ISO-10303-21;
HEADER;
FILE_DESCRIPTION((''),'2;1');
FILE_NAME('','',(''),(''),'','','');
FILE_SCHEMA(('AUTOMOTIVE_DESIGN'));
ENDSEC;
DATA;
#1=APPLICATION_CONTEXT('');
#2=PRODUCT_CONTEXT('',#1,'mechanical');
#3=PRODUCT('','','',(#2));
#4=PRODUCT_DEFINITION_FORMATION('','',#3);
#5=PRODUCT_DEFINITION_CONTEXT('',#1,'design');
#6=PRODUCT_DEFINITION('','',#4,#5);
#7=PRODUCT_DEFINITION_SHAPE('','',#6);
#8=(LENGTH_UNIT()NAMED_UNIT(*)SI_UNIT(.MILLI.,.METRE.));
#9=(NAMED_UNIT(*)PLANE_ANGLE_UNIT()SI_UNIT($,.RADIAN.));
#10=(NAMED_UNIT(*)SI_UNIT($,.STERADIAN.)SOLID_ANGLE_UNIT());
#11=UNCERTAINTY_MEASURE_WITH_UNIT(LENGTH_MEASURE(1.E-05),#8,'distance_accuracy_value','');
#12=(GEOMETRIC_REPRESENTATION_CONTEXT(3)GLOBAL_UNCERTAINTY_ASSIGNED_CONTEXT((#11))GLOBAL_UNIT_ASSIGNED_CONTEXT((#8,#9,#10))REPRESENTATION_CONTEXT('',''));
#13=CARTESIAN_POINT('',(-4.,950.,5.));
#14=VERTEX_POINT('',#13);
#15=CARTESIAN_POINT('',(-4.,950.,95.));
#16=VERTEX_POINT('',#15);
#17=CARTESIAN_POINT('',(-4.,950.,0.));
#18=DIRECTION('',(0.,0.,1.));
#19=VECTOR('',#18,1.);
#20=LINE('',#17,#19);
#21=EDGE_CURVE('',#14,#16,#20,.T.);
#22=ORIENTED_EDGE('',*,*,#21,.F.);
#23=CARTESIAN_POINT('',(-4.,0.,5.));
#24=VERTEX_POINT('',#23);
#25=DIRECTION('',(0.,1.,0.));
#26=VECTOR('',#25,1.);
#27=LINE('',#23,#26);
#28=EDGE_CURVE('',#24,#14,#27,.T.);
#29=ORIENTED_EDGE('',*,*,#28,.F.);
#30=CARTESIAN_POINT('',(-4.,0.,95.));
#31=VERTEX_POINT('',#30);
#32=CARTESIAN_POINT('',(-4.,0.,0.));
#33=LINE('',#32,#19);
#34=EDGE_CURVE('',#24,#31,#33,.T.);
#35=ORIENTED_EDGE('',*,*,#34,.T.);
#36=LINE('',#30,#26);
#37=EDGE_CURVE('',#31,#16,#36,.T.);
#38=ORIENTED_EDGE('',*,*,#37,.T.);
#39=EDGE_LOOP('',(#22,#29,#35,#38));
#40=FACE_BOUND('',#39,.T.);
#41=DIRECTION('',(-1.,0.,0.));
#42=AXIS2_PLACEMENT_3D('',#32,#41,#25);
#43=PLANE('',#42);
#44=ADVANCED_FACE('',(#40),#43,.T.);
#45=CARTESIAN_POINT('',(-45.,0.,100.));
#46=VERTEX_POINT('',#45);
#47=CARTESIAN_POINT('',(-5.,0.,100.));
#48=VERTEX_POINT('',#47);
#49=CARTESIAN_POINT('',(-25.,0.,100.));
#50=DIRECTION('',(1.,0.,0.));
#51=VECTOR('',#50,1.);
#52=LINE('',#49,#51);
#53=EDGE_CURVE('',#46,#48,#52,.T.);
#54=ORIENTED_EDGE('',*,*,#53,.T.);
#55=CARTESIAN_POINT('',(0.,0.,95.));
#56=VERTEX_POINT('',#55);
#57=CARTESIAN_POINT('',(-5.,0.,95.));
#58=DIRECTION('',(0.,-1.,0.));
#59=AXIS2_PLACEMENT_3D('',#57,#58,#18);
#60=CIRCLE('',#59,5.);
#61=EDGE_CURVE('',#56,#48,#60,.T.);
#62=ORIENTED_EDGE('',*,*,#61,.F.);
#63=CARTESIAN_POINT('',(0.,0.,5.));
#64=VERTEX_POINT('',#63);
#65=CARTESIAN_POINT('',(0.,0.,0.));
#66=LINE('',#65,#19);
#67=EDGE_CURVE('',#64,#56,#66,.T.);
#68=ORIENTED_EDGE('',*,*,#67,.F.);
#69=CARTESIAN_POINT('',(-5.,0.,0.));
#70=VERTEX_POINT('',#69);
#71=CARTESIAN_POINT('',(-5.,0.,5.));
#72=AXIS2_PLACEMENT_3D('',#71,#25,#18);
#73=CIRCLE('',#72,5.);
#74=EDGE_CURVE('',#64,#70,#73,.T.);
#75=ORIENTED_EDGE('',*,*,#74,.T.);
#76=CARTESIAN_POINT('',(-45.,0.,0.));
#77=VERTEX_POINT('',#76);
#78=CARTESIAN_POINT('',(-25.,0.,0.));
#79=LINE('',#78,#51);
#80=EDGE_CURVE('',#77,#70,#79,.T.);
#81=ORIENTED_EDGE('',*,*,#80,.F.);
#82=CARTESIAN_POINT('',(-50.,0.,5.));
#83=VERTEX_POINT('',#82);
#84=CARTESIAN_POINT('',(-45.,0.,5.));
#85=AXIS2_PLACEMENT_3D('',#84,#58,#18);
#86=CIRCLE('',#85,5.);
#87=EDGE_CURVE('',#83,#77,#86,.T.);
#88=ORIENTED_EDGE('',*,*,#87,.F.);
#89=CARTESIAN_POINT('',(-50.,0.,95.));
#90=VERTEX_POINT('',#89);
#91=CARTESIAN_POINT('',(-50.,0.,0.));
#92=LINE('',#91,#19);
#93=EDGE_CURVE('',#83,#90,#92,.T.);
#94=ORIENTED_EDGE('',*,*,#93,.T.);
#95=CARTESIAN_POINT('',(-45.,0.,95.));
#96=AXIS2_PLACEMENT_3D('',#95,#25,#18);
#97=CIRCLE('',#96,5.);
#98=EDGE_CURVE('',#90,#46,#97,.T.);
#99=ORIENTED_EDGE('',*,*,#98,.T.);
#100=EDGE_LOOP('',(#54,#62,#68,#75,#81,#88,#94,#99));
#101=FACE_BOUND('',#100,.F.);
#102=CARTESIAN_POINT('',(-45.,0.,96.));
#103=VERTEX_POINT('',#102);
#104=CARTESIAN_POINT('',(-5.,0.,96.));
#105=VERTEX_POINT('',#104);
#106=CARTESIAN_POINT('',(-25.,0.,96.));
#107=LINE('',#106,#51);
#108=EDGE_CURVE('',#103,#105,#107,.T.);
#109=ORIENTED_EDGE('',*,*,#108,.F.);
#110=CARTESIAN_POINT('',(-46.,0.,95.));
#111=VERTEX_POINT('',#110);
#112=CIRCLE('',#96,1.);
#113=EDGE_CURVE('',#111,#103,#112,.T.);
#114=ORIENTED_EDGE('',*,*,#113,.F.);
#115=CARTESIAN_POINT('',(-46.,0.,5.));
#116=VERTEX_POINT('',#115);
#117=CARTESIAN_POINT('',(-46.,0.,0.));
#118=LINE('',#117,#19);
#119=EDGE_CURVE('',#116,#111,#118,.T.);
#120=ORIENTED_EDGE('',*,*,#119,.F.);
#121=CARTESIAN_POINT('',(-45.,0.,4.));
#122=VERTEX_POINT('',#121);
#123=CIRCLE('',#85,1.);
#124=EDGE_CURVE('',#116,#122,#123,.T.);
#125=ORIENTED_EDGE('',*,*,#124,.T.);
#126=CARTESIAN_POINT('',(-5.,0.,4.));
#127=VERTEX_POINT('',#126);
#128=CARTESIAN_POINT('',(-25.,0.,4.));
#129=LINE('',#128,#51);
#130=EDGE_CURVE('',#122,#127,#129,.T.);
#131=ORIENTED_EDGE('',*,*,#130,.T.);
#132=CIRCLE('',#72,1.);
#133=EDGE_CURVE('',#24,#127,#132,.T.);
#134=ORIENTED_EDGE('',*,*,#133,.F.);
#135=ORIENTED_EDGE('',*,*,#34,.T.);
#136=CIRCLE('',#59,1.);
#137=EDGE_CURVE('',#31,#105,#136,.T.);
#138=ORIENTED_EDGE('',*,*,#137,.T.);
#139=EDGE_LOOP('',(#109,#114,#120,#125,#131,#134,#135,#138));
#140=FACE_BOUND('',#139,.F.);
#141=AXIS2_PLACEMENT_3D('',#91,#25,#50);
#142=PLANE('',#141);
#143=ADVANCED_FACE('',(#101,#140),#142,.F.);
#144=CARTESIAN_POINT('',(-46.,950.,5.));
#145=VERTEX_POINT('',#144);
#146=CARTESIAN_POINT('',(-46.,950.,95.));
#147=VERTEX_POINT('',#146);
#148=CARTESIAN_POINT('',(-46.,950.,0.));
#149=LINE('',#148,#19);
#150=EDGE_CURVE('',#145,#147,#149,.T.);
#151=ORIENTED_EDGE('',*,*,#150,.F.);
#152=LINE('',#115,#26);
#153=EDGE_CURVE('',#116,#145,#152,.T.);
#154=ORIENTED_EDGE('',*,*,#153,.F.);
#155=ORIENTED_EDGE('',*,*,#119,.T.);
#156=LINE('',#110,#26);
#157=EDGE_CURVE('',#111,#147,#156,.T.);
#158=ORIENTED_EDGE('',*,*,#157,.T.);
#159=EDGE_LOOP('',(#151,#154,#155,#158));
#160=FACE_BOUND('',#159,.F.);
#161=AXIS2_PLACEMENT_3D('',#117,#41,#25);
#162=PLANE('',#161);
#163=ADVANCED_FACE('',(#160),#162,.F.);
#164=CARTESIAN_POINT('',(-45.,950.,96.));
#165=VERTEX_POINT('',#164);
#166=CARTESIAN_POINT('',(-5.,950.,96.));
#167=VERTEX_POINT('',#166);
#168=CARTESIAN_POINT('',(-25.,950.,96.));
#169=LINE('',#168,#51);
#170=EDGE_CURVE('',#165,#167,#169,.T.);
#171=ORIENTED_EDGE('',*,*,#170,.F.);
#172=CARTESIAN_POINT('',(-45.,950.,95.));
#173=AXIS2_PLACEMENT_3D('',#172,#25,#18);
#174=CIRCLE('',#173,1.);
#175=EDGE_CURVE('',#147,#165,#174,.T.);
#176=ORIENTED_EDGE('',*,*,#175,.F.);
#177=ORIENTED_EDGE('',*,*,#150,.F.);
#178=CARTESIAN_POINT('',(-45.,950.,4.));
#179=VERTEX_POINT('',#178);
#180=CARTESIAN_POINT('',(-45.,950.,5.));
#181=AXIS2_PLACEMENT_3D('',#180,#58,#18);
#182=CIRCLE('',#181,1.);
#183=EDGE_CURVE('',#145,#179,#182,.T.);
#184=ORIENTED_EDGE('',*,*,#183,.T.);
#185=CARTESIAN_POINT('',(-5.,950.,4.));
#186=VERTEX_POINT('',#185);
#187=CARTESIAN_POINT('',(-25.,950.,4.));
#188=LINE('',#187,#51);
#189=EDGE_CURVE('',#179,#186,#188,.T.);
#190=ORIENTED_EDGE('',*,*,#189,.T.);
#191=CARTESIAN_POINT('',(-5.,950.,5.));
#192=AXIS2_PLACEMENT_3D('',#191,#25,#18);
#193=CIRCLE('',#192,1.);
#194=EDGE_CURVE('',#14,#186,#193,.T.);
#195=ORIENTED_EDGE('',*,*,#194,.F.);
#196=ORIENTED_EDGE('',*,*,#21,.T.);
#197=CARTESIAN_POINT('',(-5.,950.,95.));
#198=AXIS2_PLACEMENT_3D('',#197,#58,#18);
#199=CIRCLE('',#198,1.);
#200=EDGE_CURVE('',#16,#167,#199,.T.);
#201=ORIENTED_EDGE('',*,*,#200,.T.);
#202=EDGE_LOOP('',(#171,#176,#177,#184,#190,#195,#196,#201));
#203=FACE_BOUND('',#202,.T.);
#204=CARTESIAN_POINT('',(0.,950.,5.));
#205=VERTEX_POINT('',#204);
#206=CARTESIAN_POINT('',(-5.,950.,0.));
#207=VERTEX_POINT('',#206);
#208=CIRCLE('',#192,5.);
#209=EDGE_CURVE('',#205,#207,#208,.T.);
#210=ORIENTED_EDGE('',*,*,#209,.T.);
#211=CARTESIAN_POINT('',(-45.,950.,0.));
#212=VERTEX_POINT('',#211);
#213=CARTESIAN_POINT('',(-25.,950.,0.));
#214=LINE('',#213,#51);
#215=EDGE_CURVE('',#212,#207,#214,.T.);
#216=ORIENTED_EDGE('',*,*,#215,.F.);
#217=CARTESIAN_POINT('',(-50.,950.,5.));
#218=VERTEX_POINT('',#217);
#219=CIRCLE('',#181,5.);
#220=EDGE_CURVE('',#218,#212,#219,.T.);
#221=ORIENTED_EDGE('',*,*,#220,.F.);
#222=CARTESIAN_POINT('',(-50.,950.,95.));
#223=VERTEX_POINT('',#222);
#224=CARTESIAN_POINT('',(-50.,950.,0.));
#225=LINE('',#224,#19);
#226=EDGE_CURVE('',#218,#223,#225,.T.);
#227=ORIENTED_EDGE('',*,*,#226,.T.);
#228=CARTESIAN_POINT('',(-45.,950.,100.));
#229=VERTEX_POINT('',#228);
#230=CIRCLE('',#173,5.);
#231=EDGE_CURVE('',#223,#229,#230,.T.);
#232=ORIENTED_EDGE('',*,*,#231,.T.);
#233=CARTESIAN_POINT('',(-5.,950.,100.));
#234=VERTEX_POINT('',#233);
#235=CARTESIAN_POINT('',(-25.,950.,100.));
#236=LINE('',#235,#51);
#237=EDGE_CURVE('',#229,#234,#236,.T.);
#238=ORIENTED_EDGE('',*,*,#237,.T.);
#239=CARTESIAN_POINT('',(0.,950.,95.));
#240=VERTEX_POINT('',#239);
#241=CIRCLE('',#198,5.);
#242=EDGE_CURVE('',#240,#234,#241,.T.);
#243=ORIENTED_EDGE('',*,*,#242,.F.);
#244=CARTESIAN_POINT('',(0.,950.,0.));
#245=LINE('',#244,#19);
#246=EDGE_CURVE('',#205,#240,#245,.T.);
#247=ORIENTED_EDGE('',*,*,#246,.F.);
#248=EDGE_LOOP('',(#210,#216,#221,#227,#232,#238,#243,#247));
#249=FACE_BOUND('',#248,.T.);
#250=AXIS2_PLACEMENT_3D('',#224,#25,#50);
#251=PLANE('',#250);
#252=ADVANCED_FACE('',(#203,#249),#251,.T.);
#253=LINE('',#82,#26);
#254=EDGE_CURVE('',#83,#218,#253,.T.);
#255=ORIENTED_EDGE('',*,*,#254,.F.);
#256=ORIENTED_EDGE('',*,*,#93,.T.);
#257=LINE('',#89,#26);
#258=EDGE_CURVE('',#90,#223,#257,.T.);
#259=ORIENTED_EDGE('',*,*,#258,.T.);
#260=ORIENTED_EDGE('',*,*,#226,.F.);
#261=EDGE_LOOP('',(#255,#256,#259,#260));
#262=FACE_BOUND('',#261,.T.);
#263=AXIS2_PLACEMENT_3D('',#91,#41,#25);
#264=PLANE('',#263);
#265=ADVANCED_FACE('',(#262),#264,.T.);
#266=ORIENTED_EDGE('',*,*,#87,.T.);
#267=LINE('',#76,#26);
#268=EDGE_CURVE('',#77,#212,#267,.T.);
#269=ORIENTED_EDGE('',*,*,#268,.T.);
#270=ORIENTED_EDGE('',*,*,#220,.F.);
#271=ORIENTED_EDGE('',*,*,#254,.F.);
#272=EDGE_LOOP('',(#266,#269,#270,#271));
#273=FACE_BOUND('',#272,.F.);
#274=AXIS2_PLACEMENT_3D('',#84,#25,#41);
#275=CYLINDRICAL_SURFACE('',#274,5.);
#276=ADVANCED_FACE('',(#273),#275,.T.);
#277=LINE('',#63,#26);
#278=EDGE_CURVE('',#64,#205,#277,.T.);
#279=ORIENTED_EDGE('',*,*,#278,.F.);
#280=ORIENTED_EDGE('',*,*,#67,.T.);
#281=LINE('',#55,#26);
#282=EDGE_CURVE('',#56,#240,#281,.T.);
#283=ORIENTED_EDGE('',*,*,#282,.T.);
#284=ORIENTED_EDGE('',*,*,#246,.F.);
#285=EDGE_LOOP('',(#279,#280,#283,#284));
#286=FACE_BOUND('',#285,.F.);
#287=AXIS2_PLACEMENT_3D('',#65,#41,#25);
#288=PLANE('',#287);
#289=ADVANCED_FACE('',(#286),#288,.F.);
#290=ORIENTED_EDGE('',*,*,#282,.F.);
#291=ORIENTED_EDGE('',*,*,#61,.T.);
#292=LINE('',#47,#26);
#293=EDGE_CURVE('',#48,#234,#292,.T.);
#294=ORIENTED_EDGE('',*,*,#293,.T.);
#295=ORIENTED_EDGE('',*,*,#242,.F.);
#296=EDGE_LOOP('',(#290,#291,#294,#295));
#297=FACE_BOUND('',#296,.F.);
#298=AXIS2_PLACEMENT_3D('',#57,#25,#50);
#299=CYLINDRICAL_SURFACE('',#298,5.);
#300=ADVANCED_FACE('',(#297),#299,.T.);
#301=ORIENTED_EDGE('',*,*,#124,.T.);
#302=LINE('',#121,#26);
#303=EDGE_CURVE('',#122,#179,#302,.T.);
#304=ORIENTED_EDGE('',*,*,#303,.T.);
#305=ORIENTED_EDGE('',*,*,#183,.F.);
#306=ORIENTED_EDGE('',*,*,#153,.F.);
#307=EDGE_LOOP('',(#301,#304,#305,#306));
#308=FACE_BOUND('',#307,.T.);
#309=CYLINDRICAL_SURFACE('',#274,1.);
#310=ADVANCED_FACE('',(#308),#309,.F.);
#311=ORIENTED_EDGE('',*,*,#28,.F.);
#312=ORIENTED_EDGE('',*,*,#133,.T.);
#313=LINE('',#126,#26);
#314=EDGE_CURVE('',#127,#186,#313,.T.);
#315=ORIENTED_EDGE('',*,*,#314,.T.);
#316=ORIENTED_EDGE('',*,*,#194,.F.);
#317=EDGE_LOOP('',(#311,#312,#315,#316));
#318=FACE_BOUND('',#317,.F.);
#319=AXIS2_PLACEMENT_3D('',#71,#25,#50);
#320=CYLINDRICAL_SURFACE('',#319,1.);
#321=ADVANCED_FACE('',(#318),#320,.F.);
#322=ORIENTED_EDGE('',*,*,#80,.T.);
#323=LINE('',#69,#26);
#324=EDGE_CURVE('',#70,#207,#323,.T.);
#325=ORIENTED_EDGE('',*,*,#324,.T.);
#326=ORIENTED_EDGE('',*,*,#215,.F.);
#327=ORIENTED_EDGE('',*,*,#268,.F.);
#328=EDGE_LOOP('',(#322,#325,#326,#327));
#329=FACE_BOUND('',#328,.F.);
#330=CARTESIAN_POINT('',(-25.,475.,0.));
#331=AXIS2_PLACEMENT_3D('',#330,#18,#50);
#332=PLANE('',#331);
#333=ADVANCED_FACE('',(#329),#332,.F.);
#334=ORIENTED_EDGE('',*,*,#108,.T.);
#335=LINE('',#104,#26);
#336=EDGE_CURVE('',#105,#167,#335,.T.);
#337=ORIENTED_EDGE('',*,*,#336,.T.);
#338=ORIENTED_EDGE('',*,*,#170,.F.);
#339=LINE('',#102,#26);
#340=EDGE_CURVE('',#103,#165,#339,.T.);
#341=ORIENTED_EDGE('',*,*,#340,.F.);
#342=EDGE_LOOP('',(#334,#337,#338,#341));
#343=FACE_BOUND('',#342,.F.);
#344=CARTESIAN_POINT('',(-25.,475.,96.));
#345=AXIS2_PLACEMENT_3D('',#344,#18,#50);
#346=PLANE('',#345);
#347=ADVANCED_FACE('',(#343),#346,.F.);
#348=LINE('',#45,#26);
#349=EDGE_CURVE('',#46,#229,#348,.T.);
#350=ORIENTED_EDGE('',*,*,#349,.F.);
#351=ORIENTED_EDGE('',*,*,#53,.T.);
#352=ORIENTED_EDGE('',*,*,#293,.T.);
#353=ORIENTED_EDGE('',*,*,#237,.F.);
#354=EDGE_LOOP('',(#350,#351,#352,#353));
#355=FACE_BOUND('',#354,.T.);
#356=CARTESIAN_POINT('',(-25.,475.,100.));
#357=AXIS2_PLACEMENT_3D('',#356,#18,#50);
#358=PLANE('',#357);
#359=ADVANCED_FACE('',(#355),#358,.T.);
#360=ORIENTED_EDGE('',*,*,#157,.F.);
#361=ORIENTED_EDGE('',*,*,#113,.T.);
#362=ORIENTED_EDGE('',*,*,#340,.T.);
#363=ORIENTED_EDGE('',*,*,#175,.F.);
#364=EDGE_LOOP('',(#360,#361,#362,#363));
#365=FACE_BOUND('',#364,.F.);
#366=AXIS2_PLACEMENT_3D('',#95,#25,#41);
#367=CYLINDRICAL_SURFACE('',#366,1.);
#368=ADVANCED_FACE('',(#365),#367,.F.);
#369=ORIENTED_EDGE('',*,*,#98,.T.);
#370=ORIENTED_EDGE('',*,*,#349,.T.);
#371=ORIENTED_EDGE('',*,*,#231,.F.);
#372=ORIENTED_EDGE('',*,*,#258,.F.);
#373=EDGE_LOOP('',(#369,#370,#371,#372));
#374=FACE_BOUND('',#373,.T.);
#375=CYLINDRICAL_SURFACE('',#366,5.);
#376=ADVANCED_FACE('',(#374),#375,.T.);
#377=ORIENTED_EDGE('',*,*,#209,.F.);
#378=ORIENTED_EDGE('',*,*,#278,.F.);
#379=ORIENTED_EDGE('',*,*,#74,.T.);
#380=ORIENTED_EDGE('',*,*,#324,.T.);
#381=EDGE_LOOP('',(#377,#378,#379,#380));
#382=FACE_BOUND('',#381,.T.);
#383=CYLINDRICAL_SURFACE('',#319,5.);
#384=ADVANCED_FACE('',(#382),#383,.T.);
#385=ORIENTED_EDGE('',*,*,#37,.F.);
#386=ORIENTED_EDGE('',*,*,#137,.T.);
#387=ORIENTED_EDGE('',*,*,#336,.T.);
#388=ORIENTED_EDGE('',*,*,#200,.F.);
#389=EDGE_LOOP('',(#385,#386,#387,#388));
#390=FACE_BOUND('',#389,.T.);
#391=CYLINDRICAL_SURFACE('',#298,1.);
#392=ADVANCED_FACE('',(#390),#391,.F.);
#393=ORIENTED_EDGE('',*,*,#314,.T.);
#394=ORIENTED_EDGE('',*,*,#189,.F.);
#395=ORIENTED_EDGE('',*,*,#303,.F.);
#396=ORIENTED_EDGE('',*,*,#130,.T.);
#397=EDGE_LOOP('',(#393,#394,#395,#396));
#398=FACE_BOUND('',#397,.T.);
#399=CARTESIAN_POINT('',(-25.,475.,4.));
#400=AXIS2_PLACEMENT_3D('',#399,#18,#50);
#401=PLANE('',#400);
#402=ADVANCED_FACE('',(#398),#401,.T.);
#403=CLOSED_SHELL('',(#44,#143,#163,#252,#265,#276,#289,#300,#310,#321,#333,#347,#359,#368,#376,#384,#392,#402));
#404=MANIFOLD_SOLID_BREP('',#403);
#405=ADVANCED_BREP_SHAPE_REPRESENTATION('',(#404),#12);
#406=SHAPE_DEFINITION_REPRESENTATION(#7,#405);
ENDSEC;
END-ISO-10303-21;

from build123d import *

# Parameters (mm, degrees)
F0_W     = 50
F0_H     = 950
F1_DEPTH = 100
F2_R     = 5
F3_T     = -4


with BuildPart() as f1:
    # F0 (on Top) → F1 (new body)
    with BuildSketch(Plane.XY):
        with Locations((-25, 475)):
            Rectangle(F0_W, F0_H)
    extrude(amount=F1_DEPTH)

    # F2
    f2_edges = [f1.edges().sort_by_distance(p)[0] for p in [
        (0, 475, 100),
        (-50, 475, 100),
        (0, 475, 0),
        (-50, 475, 0),
    ]]
    fillet(f2_edges, radius=F2_R)

    # F3
    f3_openings = [f1.faces().sort_by_distance(p)[0] for p in [
        (-25, 0, 50),
        (-25, 950, 50),
    ]]
    offset(amount=F3_T, openings=f3_openings)


solid = f1.part
